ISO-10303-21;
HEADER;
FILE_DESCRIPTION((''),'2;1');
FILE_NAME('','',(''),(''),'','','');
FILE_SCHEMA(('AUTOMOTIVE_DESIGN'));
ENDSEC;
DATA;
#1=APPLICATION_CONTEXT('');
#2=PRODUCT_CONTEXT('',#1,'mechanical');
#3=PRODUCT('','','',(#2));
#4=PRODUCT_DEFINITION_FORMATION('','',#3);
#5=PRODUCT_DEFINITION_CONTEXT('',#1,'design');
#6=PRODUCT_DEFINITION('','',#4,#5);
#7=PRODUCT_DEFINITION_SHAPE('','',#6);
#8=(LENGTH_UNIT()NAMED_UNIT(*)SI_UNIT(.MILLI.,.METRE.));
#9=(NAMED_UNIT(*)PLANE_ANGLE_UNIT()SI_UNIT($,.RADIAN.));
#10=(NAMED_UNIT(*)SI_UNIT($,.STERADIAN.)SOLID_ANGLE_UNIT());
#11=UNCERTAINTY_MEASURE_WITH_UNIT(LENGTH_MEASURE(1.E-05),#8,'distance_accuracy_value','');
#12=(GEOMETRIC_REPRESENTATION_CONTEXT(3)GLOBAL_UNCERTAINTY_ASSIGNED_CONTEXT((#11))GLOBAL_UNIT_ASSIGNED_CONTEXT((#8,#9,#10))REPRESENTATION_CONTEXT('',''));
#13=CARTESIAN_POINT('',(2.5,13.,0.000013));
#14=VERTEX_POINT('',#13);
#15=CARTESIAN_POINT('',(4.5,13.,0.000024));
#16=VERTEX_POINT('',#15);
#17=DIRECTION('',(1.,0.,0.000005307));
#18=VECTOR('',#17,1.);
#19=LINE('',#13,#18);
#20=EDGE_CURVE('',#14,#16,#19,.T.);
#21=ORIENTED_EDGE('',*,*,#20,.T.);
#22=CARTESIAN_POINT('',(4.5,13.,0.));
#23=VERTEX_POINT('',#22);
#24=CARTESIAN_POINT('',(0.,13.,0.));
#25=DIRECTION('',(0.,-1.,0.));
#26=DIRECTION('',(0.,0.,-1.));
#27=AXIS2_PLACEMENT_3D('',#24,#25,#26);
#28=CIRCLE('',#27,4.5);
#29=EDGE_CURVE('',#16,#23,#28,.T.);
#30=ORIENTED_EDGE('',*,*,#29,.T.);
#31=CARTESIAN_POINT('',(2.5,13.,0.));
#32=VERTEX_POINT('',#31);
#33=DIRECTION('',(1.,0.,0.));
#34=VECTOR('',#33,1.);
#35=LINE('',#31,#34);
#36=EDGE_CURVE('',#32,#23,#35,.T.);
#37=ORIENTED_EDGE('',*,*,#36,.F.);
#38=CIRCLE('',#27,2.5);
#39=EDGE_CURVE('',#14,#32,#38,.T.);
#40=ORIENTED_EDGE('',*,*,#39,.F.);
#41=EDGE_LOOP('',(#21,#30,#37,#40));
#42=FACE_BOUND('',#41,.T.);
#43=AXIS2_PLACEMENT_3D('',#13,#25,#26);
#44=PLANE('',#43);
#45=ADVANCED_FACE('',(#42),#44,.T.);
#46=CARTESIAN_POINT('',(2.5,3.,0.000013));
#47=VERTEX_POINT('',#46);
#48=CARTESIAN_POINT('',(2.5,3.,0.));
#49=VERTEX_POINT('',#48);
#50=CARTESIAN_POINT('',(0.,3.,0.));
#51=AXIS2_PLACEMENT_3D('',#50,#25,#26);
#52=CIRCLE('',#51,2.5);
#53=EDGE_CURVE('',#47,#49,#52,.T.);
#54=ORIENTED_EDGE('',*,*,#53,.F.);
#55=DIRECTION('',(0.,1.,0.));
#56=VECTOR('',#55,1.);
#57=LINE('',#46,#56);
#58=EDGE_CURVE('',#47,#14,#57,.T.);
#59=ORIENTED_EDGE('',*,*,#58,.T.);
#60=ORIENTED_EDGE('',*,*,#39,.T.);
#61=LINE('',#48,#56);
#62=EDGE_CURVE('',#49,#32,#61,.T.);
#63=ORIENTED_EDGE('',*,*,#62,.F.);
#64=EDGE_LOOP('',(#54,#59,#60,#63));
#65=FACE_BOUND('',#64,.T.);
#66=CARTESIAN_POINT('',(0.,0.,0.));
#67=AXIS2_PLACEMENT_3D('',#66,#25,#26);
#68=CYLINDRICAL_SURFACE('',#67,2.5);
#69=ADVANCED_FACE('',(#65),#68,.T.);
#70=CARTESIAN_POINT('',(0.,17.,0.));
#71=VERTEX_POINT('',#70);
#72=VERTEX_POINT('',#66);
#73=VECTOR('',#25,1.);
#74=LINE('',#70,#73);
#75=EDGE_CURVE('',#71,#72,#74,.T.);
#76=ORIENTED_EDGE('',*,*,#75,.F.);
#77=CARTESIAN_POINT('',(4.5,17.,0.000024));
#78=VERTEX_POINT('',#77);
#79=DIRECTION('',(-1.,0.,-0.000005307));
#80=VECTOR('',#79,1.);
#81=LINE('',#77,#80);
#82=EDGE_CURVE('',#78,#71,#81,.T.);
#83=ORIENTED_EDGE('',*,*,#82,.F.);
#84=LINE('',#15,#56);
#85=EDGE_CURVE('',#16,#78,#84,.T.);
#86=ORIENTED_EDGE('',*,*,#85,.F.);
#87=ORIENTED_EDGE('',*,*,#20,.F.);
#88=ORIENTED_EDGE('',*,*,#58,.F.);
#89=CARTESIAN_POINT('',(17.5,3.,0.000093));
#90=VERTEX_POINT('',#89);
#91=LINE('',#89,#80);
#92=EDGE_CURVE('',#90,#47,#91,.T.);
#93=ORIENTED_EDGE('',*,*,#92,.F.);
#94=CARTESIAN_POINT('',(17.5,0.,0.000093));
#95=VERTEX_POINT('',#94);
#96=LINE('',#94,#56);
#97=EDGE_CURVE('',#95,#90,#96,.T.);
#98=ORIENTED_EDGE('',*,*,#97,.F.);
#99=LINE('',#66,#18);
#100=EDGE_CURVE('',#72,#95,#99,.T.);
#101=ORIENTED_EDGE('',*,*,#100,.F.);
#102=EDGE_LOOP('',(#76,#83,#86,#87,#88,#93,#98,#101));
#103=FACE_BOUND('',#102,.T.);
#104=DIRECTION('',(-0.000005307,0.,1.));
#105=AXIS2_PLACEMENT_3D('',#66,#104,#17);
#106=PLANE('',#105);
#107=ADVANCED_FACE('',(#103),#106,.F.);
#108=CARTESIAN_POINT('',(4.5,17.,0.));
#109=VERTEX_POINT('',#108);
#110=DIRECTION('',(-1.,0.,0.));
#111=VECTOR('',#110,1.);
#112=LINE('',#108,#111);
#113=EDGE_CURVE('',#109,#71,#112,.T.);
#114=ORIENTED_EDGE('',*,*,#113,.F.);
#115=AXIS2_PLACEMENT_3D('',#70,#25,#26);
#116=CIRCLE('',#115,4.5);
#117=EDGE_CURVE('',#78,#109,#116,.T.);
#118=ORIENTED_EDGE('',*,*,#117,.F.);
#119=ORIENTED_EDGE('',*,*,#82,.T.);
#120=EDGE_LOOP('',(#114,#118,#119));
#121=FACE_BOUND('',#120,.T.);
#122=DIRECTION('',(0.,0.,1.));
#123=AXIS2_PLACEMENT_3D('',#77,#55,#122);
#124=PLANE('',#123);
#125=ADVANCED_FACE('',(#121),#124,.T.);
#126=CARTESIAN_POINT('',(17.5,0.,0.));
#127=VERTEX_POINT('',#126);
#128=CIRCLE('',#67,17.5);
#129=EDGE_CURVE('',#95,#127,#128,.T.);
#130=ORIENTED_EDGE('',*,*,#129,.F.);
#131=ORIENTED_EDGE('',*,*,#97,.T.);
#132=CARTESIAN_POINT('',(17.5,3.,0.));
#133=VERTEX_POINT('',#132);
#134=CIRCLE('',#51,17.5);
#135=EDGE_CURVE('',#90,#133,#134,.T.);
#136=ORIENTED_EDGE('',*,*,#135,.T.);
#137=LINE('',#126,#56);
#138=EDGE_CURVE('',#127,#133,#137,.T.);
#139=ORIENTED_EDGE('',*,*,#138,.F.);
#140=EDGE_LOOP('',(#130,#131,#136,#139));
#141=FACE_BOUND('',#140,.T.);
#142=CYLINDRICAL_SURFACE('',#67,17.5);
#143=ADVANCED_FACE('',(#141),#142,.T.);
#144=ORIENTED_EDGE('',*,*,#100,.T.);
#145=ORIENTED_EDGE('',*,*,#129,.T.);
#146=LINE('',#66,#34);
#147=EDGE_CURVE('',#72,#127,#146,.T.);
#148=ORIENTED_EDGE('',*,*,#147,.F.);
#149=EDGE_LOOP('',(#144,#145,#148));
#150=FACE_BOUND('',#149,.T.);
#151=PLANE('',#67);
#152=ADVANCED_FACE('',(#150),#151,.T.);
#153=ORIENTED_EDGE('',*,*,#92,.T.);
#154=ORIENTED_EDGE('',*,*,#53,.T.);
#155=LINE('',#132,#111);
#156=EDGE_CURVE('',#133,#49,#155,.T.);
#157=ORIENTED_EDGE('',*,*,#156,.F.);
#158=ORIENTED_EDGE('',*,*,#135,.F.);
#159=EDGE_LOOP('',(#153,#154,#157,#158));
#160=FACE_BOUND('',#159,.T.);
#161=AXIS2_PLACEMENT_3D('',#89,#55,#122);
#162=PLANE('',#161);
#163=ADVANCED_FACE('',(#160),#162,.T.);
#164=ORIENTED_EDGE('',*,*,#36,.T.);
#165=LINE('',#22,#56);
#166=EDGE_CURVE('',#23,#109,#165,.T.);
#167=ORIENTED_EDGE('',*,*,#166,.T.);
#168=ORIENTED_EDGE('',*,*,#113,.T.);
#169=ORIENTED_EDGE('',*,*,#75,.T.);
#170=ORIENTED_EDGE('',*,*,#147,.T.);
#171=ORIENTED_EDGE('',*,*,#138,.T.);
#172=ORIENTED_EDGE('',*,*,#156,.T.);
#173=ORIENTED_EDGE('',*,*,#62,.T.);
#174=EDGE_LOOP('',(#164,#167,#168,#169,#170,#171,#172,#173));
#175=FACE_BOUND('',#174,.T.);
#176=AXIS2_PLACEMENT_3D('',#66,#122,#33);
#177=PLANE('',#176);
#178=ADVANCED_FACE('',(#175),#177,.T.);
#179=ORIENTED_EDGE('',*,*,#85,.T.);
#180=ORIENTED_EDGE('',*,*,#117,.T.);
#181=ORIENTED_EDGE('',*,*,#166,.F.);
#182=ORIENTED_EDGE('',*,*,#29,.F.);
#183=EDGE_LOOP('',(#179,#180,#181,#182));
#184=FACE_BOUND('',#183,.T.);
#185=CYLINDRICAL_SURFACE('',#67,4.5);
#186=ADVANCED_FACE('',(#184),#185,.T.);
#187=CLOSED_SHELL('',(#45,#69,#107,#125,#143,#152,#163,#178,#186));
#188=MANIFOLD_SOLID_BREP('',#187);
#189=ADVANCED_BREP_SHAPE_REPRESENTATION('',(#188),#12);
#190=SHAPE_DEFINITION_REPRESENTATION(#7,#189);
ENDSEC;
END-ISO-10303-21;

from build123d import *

# Parameters (mm, degrees)
REVOLVE1_ANGLE = 359.999695921


with BuildPart() as part:
    # Sketch1 → Revolve1 (revolve)
    with BuildSketch(Plane.XY):
        Polygon((0, 0), (17.5, 0), (17.5, 3), (2.5, 3), (2.5, 13), (4.5, 13), (4.5, 17), (0, 17), align=None)
    revolve(axis=Axis((0, 0, 0), (0, 1, 0)), revolution_arc=REVOLVE1_ANGLE)


solid = part.part
